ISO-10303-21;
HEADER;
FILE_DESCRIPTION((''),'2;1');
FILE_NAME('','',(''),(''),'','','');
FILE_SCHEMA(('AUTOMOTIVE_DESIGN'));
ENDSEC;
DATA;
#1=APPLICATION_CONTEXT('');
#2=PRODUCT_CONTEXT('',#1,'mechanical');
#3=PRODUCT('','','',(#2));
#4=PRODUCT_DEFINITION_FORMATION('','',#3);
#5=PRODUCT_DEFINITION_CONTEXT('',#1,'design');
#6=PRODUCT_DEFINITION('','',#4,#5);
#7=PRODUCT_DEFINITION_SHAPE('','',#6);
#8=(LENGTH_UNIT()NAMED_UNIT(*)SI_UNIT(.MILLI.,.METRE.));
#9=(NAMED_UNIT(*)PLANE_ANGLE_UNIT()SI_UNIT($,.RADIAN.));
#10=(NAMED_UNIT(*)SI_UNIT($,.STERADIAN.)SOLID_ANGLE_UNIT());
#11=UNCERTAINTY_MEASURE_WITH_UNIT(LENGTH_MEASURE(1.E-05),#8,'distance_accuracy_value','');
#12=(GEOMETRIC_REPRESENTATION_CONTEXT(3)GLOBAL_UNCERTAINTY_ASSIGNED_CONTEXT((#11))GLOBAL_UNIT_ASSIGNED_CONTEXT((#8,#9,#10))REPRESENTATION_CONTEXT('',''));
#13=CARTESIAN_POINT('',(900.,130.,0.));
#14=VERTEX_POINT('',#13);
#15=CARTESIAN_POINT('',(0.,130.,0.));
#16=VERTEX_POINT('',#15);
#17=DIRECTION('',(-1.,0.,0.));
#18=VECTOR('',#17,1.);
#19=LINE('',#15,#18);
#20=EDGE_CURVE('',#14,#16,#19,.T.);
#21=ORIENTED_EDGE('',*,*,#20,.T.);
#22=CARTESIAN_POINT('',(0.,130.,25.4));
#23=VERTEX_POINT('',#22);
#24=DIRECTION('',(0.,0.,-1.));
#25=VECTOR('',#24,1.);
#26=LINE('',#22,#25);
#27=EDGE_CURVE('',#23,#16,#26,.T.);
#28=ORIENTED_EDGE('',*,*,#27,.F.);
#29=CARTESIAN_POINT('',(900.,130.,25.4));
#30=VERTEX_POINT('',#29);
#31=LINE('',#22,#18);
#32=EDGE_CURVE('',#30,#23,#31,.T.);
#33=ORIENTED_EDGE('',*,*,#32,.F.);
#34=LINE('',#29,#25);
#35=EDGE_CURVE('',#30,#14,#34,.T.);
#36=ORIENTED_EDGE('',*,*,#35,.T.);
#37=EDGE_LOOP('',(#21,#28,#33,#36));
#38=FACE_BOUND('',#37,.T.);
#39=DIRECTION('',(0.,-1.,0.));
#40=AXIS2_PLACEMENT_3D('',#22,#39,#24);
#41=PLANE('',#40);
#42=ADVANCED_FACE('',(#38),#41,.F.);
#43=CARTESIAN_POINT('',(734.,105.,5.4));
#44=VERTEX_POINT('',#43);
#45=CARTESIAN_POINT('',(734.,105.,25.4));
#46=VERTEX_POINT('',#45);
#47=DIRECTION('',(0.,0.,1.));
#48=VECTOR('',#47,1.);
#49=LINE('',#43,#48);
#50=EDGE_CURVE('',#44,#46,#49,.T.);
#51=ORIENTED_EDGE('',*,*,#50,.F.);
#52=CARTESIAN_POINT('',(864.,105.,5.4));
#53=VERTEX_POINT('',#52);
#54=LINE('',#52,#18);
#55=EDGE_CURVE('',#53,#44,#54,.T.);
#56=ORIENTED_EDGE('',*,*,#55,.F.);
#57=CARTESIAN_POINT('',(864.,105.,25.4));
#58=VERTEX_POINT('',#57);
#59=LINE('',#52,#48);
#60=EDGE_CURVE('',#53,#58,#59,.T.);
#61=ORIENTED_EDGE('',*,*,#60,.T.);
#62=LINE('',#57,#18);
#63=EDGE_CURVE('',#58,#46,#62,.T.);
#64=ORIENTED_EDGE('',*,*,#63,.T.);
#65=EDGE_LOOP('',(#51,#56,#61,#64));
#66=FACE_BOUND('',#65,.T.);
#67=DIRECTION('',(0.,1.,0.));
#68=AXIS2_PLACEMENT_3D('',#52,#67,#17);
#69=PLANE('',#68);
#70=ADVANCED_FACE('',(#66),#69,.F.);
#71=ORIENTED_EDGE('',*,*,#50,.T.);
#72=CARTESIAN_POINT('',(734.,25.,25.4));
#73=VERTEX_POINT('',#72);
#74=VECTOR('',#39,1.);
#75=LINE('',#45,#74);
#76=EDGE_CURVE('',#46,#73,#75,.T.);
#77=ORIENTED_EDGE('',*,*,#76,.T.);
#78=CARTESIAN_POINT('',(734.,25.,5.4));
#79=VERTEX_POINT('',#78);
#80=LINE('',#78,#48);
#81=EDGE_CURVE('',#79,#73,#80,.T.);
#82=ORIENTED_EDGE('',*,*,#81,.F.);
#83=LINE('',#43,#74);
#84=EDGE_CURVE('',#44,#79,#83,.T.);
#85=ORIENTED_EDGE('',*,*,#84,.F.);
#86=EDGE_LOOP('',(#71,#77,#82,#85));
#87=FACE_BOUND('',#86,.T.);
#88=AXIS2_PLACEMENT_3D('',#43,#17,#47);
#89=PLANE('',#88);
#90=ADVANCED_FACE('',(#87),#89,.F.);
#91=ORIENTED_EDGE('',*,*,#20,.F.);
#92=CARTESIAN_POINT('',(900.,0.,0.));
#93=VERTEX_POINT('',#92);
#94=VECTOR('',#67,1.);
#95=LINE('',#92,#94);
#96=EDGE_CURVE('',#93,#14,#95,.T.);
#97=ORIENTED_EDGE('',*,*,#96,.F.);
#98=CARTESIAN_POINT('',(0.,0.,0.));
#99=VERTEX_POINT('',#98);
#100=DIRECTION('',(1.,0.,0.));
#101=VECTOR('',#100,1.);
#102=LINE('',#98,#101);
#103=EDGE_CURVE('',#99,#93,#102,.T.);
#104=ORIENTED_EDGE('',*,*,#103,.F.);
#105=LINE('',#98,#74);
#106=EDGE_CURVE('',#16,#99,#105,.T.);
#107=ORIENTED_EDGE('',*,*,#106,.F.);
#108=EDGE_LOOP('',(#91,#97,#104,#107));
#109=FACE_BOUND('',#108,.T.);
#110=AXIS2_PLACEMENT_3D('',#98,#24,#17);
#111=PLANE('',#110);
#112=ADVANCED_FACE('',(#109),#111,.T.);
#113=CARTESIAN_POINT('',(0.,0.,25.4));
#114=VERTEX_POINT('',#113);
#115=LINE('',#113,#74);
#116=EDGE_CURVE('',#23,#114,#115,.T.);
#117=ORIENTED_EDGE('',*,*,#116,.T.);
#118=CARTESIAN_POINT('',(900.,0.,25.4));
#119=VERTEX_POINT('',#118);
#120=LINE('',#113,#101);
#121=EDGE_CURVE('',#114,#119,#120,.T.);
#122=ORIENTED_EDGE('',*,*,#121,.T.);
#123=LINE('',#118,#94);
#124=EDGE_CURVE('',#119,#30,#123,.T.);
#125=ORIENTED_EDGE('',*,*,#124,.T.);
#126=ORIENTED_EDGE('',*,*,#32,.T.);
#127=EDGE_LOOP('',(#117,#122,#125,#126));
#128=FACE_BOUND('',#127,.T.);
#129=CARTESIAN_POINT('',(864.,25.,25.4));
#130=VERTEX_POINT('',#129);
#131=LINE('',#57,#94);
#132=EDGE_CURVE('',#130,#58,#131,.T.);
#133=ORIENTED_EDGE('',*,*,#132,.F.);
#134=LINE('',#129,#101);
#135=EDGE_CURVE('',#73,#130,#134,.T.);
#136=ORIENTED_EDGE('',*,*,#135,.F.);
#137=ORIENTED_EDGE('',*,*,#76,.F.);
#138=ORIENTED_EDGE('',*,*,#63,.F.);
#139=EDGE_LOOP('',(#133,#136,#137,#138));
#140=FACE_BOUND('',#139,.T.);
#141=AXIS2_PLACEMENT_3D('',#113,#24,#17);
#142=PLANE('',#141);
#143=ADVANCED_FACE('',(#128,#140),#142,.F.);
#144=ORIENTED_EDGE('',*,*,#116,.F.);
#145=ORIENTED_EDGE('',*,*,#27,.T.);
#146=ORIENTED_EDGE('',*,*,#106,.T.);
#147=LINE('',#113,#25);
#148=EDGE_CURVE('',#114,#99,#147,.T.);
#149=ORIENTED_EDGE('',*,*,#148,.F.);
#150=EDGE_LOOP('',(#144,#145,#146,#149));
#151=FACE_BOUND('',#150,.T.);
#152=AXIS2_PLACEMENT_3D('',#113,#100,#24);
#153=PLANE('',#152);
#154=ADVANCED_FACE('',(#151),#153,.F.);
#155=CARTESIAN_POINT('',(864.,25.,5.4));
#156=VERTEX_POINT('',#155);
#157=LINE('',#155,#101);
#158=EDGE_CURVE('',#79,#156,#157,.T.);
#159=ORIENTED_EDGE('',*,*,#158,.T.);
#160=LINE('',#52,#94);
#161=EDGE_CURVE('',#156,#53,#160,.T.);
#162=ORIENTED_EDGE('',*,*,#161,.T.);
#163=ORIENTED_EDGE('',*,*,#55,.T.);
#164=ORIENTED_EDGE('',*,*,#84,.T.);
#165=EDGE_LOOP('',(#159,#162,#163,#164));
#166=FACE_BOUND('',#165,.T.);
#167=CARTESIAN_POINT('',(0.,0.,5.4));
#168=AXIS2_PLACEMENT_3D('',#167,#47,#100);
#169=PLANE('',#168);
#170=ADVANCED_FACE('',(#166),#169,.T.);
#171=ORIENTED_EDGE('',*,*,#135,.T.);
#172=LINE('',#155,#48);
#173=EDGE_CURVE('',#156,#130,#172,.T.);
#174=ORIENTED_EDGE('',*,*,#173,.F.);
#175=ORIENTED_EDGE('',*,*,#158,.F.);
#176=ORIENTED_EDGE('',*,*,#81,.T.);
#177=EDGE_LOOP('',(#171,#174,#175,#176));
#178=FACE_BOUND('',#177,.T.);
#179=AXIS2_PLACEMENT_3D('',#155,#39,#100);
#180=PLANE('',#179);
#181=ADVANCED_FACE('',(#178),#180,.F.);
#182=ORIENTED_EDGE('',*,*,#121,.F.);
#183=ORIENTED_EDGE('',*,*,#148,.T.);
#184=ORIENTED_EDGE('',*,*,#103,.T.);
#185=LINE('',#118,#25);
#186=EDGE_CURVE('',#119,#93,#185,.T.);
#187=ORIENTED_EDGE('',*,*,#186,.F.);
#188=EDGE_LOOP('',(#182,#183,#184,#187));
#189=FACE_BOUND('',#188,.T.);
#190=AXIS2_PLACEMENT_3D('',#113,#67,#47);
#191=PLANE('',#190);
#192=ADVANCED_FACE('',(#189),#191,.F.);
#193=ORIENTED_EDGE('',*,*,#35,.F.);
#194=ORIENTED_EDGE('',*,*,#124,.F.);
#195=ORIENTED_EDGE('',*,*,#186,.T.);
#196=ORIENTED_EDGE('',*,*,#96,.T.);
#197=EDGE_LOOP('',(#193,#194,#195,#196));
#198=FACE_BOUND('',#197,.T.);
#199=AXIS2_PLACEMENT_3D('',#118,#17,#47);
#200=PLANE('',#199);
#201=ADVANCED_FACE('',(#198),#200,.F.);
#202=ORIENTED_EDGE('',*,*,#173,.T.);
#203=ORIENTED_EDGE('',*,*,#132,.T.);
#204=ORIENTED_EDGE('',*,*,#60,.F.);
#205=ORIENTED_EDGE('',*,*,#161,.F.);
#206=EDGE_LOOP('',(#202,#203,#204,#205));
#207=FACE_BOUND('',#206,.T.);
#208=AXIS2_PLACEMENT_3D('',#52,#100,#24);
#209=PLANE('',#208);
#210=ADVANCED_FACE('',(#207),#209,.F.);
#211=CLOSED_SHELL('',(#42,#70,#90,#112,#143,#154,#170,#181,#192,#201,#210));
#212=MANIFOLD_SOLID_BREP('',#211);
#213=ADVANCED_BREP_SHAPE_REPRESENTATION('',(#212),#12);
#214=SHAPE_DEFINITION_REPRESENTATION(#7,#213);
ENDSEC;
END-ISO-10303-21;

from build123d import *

# Parameters (mm, degrees)
SKETCH1_W           = 900
SKETCH1_H           = 130
BOSS_EXTRUDE1_DEPTH = 25.4
SKETCH3_W           = 130
SKETCH3_H           = 80
CUT_EXTRUDE3_DEPTH  = 20


with BuildPart() as part:
    # Sketch1 → Boss-Extrude1 (new body)
    with BuildSketch(Plane.XY):
        with Locations((450, 65)):
            Rectangle(SKETCH1_W, SKETCH1_H)
    extrude(amount=BOSS_EXTRUDE1_DEPTH)

    # Sketch3 → Cut-Extrude3 (cut)
    with BuildSketch(Plane.XY.offset(25.4)):
        with Locations((799, 65)):
            Rectangle(SKETCH3_W, SKETCH3_H)
    extrude(amount=-CUT_EXTRUDE3_DEPTH, mode=Mode.SUBTRACT)


solid = part.part
